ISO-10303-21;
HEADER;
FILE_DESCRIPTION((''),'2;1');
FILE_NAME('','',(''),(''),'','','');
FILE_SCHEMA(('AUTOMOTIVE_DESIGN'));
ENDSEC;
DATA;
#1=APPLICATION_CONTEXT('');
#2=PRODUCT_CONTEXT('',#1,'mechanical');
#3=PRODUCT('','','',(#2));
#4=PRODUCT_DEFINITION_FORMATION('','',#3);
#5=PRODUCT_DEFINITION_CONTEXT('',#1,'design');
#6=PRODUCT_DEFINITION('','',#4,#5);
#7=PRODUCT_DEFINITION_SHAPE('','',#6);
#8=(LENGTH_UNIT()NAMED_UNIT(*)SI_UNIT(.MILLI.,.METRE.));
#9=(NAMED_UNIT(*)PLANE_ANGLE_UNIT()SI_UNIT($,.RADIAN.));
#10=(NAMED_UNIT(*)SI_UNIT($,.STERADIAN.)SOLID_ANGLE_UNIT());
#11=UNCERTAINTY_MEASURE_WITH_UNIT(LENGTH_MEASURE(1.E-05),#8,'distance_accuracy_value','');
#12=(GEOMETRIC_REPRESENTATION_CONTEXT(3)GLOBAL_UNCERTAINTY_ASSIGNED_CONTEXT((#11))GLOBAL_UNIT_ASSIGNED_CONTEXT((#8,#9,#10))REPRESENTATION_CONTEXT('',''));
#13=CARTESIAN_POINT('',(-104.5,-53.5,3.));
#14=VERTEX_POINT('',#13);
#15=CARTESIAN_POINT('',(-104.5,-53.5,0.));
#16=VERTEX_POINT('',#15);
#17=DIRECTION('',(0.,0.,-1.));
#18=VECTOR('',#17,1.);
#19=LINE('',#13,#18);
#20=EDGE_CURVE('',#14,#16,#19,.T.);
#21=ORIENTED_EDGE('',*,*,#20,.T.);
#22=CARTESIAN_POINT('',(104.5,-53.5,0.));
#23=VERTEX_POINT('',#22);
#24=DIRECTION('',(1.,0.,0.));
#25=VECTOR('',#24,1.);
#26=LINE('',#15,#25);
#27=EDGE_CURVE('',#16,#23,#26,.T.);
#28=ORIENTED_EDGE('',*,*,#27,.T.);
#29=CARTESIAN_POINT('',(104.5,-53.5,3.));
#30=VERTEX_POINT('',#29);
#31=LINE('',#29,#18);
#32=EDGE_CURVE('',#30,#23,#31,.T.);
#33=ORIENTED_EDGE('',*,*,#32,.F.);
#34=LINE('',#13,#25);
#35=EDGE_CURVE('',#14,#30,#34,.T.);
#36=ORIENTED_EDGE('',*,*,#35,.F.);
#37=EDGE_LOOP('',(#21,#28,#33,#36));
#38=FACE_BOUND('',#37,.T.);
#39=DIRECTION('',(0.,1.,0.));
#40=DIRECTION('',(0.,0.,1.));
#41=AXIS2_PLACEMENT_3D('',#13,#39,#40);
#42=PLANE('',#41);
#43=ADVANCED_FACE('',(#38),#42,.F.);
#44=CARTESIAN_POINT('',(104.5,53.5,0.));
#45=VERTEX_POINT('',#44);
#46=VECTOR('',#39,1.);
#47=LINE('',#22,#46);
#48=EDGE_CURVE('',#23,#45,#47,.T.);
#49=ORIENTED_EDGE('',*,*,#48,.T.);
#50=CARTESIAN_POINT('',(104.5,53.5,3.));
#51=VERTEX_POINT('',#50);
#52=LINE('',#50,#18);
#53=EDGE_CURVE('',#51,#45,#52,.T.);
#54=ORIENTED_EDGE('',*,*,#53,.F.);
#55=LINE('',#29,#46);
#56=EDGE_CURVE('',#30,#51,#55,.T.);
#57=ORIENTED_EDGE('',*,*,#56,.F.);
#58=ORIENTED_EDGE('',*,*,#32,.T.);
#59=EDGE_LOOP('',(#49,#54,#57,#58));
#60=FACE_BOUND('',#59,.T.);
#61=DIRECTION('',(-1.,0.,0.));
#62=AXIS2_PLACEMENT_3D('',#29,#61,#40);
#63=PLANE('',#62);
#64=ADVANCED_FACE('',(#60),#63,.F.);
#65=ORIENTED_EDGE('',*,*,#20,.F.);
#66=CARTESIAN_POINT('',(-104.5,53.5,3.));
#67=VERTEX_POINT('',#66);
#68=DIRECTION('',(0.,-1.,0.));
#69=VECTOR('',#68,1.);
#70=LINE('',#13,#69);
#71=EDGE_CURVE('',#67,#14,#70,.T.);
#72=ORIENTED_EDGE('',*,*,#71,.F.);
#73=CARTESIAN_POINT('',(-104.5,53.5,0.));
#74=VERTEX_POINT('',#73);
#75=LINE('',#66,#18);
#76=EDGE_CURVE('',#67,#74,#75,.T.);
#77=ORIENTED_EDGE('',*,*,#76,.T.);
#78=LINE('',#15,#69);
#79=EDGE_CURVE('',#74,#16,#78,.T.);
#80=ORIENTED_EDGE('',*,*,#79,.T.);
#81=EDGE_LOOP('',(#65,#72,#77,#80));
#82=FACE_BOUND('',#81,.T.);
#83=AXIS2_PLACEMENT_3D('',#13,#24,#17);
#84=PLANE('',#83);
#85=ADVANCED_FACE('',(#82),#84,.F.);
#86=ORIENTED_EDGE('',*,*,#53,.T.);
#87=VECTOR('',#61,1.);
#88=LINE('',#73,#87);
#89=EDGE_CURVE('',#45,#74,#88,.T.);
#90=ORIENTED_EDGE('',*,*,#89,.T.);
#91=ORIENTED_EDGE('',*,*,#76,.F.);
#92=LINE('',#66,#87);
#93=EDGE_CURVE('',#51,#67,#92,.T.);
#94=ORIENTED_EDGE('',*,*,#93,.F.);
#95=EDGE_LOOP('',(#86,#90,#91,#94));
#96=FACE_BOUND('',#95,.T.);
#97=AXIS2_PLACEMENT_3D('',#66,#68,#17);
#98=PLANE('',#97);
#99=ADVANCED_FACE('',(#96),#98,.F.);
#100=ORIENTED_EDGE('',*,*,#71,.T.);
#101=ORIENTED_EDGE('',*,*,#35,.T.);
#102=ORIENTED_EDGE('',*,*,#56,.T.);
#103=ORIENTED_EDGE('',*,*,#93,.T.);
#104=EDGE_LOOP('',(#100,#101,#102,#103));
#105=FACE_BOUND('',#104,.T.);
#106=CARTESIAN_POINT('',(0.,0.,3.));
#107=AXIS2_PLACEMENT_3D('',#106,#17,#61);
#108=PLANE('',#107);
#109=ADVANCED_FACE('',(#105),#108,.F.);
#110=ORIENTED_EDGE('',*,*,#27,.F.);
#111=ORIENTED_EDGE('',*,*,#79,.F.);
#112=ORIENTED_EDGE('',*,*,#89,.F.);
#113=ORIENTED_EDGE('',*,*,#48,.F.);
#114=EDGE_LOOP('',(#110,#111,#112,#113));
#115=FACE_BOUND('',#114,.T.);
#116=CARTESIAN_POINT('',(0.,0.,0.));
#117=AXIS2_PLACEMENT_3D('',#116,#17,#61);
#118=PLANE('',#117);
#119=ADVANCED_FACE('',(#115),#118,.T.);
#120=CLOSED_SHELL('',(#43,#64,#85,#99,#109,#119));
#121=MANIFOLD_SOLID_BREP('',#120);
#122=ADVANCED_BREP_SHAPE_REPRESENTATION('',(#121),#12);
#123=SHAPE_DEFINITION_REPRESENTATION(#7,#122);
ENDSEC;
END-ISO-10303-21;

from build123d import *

# Parameters (mm, degrees)
SKETCH1_W           = 209
SKETCH1_H           = 107
BOSS_EXTRUDE1_DEPTH = 3


with BuildPart() as part:
    # Sketch1 → Boss-Extrude1 (new body)
    with BuildSketch(Plane.XY):
        Rectangle(SKETCH1_W, SKETCH1_H)
    extrude(amount=BOSS_EXTRUDE1_DEPTH)


solid = part.part
